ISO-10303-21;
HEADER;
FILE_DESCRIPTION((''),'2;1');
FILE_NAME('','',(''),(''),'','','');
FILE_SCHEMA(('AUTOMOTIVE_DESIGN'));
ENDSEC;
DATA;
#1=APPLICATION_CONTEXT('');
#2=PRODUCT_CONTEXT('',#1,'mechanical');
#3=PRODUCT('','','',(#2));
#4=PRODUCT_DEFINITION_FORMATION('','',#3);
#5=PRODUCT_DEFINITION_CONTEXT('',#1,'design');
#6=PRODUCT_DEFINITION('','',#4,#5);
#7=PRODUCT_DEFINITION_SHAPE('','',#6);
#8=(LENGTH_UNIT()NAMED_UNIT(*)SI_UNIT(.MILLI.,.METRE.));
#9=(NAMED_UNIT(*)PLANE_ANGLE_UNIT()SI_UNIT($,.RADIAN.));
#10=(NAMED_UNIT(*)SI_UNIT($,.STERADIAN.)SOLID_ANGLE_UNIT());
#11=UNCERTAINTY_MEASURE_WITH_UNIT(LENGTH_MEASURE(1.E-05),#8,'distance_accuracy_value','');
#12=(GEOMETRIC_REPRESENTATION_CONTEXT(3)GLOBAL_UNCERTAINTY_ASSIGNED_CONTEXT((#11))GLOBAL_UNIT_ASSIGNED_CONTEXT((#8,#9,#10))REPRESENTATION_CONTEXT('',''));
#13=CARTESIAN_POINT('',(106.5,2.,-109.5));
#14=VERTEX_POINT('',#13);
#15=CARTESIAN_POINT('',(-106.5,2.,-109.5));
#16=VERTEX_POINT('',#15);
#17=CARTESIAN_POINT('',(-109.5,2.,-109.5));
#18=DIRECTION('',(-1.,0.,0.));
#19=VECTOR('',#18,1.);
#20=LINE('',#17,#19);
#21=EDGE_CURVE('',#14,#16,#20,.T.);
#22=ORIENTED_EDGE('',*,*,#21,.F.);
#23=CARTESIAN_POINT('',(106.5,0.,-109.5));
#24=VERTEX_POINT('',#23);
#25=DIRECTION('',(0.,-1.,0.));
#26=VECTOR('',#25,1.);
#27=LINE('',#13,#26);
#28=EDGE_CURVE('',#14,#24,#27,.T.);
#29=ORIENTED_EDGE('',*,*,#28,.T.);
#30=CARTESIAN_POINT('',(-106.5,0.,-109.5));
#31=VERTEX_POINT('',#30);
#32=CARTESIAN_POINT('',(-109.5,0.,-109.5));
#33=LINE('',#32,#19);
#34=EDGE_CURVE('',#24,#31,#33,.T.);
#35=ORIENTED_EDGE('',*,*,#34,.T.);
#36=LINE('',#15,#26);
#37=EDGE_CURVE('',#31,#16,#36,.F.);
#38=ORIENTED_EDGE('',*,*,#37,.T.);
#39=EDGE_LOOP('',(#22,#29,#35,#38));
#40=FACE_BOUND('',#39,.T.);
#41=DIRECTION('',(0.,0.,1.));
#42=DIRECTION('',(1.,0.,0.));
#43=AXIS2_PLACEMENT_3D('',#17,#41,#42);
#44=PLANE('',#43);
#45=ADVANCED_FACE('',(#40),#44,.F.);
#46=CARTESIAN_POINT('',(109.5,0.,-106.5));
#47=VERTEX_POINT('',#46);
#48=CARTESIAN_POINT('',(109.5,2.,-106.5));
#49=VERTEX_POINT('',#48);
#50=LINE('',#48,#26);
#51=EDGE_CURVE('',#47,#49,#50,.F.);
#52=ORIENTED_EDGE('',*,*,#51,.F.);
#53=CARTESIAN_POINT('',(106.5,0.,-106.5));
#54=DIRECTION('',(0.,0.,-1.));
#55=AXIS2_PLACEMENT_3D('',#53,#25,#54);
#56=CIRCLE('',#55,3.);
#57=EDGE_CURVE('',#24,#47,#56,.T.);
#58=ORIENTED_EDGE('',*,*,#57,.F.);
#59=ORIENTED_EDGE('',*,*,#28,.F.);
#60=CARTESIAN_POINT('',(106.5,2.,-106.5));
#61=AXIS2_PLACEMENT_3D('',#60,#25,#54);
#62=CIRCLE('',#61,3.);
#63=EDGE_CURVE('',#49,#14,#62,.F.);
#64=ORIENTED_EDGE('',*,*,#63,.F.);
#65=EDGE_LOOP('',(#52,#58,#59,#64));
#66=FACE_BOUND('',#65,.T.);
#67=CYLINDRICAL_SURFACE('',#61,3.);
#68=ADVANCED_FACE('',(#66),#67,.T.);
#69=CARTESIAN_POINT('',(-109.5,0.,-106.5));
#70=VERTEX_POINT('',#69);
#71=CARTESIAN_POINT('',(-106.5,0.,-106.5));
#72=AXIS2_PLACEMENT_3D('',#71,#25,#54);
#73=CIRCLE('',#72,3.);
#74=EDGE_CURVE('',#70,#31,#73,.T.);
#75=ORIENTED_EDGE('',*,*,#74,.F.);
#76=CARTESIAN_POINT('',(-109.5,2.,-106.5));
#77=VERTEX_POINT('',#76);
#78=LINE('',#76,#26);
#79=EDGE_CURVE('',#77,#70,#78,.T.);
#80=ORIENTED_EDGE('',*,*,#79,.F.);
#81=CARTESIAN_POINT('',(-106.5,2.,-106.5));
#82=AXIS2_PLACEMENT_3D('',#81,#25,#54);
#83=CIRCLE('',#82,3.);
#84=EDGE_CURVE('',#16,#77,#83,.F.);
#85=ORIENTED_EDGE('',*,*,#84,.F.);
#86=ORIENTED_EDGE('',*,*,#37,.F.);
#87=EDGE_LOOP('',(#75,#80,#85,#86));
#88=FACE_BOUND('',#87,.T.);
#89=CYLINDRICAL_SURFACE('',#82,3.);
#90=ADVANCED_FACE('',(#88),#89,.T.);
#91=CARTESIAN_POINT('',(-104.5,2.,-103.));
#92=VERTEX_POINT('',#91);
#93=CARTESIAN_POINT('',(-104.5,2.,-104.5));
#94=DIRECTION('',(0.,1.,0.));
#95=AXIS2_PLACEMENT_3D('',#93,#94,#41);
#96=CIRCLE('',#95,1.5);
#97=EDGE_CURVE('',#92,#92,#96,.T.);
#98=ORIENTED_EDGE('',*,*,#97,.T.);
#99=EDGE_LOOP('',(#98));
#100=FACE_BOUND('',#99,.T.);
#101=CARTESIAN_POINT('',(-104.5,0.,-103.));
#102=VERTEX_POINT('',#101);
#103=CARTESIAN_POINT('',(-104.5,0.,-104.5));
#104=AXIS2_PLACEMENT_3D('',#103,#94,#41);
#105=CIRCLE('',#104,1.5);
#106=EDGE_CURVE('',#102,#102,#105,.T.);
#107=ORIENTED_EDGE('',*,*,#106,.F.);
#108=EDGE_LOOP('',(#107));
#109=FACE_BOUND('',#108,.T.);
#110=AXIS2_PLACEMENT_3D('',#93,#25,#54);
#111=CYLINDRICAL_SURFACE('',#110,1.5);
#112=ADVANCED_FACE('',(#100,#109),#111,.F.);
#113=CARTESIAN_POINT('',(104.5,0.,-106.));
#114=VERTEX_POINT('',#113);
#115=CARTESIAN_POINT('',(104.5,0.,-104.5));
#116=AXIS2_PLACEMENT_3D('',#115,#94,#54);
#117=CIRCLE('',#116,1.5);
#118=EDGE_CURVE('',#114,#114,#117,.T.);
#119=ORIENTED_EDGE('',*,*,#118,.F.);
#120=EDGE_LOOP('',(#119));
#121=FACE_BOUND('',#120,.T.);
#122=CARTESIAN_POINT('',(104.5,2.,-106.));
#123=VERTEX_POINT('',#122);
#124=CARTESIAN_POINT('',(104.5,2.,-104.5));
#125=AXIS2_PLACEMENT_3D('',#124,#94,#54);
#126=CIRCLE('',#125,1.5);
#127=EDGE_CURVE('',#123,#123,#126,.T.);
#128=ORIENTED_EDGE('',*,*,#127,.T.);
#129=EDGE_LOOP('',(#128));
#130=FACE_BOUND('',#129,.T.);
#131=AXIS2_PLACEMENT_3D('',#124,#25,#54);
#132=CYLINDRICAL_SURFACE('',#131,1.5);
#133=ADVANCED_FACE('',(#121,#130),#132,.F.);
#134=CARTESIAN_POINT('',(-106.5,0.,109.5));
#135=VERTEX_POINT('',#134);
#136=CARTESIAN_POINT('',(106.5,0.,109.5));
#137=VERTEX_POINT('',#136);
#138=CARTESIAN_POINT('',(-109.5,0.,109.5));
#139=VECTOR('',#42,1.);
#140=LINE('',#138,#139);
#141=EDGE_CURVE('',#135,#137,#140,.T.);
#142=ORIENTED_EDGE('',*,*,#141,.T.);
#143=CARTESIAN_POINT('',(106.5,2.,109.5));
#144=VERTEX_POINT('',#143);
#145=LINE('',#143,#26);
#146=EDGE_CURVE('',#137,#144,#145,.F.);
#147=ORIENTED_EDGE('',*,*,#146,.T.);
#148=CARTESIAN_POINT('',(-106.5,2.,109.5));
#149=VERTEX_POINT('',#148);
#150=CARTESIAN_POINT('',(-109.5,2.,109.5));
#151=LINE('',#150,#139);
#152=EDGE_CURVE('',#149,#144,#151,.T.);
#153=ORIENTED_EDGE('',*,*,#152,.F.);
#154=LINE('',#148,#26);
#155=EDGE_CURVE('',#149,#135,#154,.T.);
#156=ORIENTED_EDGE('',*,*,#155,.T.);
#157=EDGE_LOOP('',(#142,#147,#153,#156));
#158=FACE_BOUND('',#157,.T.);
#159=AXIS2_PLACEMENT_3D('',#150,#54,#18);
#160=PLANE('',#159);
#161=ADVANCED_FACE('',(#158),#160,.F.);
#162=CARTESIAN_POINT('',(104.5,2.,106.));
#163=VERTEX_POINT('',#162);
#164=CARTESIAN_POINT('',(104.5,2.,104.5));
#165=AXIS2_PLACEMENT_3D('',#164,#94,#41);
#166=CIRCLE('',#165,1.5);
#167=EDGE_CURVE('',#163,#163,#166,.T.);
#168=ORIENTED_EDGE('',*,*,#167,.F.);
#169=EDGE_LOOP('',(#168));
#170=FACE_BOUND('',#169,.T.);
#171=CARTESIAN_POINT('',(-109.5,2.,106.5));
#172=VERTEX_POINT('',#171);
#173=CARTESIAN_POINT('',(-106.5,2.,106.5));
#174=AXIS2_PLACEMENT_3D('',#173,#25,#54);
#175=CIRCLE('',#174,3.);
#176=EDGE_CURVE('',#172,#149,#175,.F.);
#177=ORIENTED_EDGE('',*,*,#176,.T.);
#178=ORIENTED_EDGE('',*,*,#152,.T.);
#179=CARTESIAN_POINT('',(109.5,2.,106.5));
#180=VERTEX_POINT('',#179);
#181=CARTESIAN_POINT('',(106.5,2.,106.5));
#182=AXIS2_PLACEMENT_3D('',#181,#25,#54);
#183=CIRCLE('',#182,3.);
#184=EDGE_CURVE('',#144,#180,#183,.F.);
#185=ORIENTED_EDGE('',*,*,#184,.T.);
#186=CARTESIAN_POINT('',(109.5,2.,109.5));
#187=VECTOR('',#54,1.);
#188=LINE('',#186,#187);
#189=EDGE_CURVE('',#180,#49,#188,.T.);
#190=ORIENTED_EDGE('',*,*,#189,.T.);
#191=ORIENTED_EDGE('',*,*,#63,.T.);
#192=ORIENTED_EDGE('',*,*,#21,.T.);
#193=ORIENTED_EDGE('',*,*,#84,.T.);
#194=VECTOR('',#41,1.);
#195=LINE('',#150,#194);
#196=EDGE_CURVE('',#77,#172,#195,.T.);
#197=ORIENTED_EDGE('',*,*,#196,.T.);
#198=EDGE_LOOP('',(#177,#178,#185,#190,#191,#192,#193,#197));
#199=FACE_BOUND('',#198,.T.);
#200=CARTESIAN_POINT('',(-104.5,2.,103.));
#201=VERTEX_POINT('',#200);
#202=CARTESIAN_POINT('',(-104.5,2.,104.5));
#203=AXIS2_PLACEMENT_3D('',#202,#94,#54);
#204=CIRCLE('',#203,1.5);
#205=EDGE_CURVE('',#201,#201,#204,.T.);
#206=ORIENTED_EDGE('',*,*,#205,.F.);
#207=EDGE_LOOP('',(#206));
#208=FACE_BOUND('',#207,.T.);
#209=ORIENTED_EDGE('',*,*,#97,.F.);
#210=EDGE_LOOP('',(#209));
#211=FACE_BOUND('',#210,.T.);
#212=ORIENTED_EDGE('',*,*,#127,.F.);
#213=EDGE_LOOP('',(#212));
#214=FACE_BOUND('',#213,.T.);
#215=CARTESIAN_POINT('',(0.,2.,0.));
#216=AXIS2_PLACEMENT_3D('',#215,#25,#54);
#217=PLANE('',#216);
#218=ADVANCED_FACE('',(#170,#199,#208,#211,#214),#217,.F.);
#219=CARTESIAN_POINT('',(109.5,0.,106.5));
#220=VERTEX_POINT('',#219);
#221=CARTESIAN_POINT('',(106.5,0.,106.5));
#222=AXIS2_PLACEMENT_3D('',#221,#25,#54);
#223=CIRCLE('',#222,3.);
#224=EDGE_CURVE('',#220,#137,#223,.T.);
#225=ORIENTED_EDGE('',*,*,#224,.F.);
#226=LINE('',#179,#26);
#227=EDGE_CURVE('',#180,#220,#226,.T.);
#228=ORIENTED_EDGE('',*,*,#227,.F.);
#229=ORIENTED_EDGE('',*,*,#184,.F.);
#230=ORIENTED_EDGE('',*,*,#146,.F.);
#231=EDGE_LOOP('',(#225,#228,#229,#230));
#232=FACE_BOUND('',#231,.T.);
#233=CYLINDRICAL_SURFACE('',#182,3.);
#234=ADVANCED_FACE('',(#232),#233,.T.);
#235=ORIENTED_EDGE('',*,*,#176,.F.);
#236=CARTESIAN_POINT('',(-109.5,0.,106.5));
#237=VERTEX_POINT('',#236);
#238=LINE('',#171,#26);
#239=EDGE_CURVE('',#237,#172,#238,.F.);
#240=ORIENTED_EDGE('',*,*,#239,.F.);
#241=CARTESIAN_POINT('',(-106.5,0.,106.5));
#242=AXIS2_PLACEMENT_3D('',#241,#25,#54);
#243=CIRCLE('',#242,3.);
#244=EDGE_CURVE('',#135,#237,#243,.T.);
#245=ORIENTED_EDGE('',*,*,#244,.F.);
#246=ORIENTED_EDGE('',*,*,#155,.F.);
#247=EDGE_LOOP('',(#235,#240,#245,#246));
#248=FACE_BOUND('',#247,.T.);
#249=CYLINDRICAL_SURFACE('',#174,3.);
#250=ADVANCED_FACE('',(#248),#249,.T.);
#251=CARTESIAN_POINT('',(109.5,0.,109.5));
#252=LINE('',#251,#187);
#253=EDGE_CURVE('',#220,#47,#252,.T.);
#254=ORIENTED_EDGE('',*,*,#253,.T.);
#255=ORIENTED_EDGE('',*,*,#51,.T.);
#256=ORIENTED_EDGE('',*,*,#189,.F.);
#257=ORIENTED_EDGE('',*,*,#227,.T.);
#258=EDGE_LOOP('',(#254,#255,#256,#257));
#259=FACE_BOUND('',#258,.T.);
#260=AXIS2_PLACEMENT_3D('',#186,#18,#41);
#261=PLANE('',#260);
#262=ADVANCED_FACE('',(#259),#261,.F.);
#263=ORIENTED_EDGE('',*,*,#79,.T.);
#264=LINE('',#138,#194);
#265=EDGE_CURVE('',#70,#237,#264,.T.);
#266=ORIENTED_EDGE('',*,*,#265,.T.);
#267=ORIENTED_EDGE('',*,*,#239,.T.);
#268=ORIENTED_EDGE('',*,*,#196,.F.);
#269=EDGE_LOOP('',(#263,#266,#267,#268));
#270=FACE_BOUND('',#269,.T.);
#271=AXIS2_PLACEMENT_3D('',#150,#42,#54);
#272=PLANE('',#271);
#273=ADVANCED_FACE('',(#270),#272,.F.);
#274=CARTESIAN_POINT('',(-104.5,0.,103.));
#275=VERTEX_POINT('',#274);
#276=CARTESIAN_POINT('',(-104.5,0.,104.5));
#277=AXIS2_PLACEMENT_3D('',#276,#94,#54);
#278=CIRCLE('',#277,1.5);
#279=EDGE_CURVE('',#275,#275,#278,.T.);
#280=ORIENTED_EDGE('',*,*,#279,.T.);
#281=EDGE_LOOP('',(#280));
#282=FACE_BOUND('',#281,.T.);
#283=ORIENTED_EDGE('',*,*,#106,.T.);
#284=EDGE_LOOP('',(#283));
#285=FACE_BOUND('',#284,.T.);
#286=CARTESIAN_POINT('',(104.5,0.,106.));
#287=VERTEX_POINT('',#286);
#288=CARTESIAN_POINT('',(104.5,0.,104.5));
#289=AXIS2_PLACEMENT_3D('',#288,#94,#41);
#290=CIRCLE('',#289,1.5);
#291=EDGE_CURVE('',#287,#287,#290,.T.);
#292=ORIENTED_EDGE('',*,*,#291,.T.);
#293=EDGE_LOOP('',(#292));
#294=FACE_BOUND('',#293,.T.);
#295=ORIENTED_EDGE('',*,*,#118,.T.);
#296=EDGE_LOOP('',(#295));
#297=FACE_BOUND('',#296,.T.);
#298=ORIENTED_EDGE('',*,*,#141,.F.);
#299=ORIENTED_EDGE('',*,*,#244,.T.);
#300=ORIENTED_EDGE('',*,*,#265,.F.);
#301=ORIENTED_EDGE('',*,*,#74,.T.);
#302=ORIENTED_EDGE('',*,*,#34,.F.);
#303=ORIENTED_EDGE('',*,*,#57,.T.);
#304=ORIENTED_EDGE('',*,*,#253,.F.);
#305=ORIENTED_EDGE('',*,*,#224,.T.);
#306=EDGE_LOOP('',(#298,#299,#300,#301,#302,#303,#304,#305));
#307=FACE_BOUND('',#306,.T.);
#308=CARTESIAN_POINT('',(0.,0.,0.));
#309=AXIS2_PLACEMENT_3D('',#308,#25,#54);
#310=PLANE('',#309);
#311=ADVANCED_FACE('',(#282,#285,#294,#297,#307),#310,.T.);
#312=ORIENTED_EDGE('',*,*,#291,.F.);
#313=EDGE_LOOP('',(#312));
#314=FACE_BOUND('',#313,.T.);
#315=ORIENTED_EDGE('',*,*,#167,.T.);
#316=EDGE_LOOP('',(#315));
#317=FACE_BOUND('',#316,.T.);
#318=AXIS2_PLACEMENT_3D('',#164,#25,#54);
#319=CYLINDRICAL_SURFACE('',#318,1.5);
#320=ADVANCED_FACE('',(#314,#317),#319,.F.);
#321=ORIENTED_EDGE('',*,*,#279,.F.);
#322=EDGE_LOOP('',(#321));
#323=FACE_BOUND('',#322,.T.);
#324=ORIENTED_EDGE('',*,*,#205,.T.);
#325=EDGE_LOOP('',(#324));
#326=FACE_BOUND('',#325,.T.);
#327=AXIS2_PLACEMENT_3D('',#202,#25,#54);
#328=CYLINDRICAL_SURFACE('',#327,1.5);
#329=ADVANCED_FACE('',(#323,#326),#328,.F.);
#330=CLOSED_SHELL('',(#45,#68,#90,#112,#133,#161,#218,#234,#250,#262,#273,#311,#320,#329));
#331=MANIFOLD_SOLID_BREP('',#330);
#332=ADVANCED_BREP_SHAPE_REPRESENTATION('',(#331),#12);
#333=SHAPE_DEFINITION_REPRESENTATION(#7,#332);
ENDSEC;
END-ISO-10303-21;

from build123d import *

# Parameters (mm, degrees)
SKETCH_1_W      = 219
SKETCH_1_H      = 219
SKETCH_1_R      = 1.5
EXTRUDE_1_DEPTH = 2
FILLET_1_R      = 3


with BuildPart() as part:
    # 스케치1 → 보스-돌출1 (new body)
    with BuildSketch(Plane(origin=(0, 0, 0), x_dir=(1, 0, 0), z_dir=(0, 1, 0))):
        Rectangle(SKETCH_1_W, SKETCH_1_H)
        with Locations(Location((-104.5, 104.5, 0), (0, 0, 270))):
            Circle(SKETCH_1_R, mode=Mode.SUBTRACT)
        with Locations(Location((-104.5, -104.5, 0), (0, 0, 90))):
            Circle(SKETCH_1_R, mode=Mode.SUBTRACT)
        with Locations(Location((104.5, -104.5, 0), (0, 0, 270))):
            Circle(SKETCH_1_R, mode=Mode.SUBTRACT)
        with Locations(Location((104.5, 104.5, 0), (0, 0, 90))):
            Circle(SKETCH_1_R, mode=Mode.SUBTRACT)
    extrude(amount=EXTRUDE_1_DEPTH)

    # 필렛1
    fillet_1_edges = [part.edges().sort_by_distance(p)[0] for p in [
        (109.5, 1, 109.5),
        (-109.5, 1, 109.5),
        (-109.5, 1, -109.5),
        (109.5, 1, -109.5),
    ]]
    fillet(fillet_1_edges, radius=FILLET_1_R)


solid = part.part
